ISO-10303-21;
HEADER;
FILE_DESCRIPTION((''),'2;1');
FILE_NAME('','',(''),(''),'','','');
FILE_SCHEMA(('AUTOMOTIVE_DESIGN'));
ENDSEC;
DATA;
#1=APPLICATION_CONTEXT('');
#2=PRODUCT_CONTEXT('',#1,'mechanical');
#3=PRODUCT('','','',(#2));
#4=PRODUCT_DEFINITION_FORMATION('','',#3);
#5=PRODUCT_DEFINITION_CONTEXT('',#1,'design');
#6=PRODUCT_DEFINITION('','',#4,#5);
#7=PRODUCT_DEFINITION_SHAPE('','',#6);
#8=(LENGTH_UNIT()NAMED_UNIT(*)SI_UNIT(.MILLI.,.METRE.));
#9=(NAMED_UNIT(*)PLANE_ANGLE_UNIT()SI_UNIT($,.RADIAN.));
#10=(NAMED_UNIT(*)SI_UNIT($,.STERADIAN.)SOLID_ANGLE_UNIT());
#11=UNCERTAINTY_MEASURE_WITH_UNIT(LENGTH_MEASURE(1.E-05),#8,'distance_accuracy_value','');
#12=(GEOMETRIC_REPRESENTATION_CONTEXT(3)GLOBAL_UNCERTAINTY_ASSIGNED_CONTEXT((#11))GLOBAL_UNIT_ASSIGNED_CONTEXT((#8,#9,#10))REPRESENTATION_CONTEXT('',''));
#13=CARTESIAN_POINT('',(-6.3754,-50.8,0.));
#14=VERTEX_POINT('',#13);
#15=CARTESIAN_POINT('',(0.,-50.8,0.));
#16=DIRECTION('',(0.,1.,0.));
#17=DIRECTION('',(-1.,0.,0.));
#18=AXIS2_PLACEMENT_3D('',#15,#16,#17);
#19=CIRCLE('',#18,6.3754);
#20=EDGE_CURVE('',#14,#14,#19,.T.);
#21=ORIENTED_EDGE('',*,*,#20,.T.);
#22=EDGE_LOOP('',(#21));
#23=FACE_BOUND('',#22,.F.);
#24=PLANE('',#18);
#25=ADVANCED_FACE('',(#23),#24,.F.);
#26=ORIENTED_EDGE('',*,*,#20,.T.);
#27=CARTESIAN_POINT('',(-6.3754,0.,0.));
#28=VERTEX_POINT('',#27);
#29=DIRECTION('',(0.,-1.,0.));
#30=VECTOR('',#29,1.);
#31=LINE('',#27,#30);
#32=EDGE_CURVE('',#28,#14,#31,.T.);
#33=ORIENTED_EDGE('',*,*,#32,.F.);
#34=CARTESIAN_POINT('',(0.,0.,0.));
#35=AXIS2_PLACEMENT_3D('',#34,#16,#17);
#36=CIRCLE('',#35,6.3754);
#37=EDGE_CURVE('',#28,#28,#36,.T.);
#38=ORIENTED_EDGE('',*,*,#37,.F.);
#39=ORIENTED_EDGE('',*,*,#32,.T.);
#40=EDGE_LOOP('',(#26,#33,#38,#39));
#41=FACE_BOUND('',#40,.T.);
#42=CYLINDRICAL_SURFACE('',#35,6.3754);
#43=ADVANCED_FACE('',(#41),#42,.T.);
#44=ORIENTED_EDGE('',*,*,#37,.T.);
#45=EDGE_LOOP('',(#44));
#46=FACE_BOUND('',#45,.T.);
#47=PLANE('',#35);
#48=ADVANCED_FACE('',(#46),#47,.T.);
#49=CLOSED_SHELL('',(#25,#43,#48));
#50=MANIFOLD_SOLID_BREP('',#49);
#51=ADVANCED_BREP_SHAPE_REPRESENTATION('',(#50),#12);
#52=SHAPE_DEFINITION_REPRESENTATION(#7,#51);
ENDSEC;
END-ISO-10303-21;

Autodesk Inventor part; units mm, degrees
ref_plane "YZ Plane" through (0, 0, 0) normal (1, 0, 0) x (0, 1, 0)
ref_plane "XZ Plane" through (0, 0, 0) normal (0, 1, 0) x (-1, 0, 0)
ref_plane "XY Plane" through (0, 0, 0) normal (0, 0, 1) x (1, 0, 0)
sketch "Sketch1" plane through (0, 0, 0) normal (0, 1, 0) x (-1, 0, 0)
  circle A0 centre (0, 0) radius 6.3754
  dimension "d0" = 12.7508
extrude "Extrusion1" add sketch "Sketch1" against normal blind 50.8
properties part number "Shaft"
